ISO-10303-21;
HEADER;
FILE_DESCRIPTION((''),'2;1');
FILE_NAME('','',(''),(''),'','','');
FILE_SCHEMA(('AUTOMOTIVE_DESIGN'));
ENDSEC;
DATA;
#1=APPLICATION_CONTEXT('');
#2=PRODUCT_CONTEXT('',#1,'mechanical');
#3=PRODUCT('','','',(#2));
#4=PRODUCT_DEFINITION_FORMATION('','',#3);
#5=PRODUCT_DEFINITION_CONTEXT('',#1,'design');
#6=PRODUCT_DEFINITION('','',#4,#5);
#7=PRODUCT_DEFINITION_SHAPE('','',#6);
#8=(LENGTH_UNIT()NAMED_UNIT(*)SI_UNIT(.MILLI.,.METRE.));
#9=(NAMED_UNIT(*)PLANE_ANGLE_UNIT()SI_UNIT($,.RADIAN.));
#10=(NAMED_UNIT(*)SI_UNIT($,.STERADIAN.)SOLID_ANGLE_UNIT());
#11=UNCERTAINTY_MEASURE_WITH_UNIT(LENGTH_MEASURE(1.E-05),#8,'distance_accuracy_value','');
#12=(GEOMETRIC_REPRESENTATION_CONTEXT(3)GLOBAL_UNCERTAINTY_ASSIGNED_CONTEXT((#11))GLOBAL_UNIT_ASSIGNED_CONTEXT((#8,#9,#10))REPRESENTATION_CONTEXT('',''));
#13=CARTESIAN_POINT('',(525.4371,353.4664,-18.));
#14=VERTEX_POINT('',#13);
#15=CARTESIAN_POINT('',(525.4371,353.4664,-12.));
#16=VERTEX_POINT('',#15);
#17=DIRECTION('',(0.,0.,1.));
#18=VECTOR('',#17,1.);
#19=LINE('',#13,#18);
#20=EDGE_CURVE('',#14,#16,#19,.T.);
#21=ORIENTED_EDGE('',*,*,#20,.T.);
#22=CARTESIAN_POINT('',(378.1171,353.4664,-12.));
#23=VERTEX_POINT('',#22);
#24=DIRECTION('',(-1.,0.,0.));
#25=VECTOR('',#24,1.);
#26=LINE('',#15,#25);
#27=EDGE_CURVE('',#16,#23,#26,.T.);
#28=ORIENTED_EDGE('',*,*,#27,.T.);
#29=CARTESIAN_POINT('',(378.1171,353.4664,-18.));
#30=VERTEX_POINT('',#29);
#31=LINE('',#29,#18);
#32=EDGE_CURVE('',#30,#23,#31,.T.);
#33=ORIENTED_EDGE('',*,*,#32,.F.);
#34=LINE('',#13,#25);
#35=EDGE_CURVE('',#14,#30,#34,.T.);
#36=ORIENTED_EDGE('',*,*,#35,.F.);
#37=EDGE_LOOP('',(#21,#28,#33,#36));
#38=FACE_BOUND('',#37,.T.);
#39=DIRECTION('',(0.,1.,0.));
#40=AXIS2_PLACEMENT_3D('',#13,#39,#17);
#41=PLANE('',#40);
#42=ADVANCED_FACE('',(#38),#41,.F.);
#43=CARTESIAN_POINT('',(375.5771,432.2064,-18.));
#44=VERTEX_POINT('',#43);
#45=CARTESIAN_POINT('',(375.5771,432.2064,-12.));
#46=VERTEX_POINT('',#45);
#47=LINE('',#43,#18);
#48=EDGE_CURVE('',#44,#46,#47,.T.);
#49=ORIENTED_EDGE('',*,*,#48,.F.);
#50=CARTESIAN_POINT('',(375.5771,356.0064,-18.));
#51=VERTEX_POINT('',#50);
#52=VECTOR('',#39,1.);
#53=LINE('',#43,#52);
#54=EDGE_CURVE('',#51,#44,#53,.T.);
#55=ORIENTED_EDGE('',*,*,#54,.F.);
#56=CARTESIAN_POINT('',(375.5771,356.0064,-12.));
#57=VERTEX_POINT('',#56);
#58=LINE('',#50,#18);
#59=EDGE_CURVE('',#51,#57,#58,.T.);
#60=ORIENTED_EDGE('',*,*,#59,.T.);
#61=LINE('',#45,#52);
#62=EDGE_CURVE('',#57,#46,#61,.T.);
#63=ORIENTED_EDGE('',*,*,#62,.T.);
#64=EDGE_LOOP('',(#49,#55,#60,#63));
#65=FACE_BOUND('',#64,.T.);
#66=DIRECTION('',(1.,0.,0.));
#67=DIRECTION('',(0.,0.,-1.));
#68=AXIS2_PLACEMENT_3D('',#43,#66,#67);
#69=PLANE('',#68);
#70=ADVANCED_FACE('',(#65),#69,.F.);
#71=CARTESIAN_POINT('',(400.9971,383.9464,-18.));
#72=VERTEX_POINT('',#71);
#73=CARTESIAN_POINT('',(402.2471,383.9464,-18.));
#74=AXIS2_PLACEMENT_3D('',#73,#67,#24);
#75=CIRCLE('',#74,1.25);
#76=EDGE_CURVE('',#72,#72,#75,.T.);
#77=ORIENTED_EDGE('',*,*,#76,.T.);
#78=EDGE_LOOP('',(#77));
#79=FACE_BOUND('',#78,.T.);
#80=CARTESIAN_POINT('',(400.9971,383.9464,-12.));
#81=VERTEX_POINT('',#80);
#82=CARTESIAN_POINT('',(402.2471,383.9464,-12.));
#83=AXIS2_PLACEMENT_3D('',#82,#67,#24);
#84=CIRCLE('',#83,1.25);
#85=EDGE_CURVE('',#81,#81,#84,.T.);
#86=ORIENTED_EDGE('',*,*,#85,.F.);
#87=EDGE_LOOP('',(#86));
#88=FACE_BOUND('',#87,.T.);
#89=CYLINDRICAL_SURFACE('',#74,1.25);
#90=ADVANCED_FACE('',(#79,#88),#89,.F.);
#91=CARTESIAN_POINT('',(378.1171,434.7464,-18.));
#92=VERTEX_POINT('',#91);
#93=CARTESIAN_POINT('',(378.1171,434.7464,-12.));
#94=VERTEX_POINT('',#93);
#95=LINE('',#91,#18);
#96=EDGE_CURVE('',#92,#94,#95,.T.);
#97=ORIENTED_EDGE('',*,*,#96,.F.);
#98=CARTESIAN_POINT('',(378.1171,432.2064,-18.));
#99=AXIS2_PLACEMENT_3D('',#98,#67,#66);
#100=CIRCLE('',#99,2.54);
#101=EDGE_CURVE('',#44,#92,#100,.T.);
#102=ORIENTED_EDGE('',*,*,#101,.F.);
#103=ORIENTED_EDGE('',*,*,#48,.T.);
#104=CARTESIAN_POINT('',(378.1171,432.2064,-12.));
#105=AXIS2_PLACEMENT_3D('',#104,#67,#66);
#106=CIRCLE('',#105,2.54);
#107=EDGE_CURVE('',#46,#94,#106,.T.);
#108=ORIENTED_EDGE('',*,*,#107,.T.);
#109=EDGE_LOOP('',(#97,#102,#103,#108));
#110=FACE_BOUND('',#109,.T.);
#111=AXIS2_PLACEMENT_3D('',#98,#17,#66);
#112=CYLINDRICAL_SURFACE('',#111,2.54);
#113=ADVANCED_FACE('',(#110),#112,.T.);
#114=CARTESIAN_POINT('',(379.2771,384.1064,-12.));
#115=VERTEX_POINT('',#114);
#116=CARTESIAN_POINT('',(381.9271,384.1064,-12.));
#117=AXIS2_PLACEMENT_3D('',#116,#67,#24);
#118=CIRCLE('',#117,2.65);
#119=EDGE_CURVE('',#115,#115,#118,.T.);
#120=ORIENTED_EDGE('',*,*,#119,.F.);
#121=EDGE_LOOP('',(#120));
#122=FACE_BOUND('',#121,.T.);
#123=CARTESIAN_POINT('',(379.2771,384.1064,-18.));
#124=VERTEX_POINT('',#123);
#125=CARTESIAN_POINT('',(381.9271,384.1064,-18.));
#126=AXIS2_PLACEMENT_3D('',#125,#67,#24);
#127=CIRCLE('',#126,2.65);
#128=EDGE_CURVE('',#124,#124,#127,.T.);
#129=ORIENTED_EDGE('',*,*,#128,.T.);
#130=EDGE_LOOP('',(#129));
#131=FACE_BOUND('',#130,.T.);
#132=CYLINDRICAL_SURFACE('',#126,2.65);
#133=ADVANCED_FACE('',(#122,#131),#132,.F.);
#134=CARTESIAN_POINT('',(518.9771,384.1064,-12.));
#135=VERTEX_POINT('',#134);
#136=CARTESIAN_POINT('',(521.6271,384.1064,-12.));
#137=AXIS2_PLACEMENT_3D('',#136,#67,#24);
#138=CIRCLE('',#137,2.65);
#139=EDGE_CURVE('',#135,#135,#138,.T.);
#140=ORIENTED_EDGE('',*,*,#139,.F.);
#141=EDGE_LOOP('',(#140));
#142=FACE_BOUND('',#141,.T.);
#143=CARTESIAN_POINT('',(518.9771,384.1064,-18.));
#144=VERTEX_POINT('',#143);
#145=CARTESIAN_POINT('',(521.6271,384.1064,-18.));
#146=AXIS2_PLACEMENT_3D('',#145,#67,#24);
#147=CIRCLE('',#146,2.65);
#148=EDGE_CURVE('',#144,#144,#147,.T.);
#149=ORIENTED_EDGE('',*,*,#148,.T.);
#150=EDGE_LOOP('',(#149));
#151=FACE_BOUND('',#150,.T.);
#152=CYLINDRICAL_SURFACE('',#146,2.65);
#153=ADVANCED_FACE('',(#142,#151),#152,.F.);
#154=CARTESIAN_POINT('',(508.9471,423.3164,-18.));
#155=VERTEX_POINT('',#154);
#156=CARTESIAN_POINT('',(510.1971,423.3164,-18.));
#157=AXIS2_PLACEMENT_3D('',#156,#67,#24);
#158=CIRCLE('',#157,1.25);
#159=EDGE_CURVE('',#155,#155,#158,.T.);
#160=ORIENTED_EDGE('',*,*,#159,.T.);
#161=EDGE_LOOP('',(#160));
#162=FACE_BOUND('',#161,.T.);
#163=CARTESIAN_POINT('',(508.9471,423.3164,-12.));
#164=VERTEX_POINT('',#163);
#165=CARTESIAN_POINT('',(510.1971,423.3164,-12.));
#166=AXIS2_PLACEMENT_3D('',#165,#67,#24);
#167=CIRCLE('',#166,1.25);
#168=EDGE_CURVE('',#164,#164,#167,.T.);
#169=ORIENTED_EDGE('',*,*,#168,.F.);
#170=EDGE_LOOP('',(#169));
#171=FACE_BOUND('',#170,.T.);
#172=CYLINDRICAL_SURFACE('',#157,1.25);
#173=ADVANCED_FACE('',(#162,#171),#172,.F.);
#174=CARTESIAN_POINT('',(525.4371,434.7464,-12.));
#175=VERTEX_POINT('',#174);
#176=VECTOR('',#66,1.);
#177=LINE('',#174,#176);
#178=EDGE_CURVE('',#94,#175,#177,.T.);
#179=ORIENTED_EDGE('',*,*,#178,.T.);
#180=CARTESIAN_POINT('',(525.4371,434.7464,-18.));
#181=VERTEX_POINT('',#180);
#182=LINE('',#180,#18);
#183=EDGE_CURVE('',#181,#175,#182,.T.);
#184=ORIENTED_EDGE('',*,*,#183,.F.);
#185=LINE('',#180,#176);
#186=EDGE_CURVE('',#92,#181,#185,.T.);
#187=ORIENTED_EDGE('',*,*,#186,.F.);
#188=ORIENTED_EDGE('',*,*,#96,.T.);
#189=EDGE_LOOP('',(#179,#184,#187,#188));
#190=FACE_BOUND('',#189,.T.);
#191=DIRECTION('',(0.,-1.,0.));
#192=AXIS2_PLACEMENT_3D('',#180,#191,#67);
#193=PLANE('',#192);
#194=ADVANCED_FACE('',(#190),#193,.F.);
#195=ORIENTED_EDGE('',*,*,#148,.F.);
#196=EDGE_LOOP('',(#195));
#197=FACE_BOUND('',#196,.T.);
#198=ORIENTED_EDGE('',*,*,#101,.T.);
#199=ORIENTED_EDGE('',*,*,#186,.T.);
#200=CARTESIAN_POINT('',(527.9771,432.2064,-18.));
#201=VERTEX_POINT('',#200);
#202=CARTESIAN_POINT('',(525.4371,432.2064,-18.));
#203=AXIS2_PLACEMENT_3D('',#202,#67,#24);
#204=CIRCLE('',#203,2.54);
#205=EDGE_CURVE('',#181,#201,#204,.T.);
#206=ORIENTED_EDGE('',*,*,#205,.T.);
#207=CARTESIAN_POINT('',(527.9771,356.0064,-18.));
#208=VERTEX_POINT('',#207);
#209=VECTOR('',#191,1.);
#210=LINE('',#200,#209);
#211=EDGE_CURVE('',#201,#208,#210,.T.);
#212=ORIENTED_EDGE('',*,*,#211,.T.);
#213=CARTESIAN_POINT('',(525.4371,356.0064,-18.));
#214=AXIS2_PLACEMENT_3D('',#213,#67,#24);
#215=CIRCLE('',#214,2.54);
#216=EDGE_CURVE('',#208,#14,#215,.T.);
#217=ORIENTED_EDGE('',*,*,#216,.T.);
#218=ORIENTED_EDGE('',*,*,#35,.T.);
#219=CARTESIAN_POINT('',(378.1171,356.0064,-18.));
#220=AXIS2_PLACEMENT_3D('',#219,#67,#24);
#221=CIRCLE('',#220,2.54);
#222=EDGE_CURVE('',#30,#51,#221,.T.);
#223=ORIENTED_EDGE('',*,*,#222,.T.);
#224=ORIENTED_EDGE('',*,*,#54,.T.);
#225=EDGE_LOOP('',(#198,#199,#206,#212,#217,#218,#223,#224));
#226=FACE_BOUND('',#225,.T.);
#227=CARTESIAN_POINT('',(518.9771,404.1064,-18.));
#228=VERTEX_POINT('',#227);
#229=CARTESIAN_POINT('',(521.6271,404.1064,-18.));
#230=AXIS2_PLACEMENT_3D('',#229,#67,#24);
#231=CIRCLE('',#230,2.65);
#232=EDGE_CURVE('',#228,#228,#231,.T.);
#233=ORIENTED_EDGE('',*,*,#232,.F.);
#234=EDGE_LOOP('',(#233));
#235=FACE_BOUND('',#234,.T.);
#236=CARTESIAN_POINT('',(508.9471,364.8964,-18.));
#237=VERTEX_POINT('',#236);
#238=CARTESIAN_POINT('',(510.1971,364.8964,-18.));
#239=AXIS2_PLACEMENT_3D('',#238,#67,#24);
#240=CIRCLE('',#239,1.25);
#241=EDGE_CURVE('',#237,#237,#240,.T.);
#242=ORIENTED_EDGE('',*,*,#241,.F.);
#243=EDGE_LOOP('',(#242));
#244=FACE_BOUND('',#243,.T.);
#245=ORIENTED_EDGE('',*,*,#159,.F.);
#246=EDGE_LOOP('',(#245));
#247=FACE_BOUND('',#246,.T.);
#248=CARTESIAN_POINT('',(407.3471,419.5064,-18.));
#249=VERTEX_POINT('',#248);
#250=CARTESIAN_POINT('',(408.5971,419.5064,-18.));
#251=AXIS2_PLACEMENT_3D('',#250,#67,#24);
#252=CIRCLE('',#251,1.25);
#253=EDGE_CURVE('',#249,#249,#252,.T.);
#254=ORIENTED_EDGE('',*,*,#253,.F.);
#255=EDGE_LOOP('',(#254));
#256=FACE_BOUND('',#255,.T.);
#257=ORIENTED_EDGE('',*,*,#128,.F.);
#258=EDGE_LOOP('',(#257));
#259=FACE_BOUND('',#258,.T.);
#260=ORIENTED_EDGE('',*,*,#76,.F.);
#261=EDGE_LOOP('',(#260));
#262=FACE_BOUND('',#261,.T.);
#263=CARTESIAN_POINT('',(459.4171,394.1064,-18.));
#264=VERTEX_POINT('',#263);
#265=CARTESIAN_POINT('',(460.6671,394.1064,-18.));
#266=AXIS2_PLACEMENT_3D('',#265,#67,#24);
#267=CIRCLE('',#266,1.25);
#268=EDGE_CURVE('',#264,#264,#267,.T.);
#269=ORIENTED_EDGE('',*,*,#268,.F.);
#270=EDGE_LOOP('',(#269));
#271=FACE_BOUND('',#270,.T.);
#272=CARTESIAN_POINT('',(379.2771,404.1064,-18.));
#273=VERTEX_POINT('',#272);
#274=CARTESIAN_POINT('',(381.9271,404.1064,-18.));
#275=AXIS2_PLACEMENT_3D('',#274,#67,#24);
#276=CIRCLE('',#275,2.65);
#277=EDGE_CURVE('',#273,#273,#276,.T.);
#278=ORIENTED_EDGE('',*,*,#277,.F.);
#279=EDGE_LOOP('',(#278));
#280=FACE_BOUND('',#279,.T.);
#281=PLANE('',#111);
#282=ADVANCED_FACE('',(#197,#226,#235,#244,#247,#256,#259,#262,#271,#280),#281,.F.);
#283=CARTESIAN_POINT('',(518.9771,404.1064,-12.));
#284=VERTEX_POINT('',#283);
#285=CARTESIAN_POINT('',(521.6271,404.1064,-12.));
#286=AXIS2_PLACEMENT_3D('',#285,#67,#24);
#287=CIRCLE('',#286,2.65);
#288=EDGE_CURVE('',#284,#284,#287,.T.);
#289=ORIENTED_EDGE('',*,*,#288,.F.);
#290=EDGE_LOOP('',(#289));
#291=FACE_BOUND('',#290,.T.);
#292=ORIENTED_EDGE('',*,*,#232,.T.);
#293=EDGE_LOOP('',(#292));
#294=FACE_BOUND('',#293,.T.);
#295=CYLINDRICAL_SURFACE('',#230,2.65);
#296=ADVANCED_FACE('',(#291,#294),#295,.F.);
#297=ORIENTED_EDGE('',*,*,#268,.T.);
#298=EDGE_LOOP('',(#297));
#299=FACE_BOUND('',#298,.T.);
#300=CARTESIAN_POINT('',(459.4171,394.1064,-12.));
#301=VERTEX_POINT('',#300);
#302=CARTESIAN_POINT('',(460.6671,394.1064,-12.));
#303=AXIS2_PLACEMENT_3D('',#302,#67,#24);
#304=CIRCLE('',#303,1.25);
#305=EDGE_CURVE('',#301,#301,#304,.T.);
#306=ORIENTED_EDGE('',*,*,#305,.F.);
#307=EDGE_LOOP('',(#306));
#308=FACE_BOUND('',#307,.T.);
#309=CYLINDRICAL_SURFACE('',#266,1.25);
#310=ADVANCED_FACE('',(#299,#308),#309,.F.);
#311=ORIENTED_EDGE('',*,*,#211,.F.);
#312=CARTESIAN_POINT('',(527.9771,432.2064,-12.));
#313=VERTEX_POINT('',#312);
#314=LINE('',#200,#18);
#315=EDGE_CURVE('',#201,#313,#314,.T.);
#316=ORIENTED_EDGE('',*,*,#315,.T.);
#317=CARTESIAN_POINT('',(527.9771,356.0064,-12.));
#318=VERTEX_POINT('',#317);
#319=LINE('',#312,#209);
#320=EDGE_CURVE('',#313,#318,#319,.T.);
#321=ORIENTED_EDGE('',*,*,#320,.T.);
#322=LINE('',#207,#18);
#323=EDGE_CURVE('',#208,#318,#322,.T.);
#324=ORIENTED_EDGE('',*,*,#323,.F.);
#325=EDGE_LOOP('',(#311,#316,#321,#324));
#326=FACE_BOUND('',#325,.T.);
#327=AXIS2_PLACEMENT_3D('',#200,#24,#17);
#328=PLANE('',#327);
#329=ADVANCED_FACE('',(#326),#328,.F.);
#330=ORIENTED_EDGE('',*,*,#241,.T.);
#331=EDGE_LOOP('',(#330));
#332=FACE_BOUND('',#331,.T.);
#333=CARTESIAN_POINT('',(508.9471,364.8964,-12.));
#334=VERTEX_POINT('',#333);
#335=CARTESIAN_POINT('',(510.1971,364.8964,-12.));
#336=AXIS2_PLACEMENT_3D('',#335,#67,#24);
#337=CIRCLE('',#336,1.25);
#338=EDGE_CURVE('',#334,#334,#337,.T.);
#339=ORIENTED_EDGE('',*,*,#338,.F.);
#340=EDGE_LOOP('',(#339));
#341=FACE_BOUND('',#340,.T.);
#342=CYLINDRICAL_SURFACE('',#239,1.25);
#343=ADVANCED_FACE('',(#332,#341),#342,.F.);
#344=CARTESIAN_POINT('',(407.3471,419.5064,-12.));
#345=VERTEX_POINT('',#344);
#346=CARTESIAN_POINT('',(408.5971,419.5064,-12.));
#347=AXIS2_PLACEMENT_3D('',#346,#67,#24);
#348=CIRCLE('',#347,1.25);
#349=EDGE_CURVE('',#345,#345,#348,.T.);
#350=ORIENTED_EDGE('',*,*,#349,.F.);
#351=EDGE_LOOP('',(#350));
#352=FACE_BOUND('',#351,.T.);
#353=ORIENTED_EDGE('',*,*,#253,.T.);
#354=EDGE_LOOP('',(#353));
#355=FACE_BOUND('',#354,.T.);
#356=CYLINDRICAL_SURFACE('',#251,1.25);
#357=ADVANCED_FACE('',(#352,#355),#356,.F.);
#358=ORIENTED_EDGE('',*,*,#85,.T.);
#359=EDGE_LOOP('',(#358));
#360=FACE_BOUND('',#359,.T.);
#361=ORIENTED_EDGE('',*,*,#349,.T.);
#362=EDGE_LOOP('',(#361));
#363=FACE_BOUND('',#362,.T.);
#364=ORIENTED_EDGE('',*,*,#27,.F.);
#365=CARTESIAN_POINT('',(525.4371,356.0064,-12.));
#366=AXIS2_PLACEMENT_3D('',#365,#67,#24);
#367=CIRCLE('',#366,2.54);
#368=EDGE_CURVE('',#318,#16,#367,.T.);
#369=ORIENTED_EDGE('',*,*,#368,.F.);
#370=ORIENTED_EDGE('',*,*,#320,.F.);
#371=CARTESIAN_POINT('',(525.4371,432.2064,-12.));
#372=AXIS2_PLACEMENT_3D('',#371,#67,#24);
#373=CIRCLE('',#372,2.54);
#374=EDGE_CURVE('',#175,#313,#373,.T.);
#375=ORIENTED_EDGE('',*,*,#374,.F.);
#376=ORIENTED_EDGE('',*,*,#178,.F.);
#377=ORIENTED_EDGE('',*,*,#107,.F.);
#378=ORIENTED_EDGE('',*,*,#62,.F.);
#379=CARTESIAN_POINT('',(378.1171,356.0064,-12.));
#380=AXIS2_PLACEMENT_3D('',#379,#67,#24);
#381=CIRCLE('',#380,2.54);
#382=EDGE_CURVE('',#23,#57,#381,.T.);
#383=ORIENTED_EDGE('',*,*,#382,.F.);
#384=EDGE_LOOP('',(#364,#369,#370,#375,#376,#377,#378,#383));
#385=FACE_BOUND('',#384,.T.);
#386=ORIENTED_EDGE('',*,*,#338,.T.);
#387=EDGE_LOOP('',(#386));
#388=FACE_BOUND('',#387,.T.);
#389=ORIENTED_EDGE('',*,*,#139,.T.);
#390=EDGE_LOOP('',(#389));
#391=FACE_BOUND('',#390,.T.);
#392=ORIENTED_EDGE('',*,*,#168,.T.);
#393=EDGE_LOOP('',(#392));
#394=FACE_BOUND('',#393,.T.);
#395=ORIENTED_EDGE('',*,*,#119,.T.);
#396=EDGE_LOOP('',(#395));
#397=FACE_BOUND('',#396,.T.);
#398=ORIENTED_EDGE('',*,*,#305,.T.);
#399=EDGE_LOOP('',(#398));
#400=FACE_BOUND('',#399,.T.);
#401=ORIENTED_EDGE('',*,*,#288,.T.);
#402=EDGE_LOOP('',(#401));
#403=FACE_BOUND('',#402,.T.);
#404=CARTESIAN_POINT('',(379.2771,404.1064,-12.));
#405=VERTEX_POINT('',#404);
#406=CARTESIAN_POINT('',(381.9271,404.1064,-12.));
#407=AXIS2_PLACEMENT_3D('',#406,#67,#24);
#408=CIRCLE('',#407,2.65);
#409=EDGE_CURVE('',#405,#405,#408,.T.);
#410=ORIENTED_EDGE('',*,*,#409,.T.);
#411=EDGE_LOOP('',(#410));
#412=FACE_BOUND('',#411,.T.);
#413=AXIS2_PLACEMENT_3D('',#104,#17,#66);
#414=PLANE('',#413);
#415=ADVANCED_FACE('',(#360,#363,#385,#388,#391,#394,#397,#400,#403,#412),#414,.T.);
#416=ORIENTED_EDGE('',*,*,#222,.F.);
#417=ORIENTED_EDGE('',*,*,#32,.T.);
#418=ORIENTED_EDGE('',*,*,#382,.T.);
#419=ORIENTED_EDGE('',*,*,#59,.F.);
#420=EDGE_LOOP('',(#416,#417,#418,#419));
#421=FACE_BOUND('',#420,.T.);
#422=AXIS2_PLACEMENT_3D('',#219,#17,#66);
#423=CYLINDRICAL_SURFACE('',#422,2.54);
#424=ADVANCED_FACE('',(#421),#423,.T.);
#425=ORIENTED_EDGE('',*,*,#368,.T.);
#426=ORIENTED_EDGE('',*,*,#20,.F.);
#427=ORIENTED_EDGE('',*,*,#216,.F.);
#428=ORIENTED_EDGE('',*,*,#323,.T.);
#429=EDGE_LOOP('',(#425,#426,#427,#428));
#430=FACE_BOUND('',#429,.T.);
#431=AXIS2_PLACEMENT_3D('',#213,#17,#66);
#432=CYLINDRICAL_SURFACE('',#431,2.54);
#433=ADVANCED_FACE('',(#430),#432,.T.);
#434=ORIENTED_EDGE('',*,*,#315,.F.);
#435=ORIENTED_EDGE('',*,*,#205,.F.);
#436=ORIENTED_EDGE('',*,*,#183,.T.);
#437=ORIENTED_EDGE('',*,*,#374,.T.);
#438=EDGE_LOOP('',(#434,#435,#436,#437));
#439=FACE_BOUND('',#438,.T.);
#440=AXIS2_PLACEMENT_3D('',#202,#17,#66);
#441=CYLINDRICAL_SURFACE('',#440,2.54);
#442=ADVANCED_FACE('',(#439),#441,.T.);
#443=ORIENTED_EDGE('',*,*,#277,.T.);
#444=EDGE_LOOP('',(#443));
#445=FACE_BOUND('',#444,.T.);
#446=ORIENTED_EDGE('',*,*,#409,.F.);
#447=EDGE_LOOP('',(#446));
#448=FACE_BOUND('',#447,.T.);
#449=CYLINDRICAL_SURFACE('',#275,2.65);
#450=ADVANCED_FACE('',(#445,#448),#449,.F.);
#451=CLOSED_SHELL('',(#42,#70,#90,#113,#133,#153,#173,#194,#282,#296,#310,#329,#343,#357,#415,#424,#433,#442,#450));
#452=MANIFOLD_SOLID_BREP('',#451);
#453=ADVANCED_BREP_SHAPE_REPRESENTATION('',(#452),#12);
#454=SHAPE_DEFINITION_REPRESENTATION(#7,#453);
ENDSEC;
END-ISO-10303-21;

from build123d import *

# Parameters (mm, degrees)
BOSS_EXTRUDE1_DEPTH   = 6
M5_CLEARANCE_HOLE1_D  = 5.3
M3X0_5_TAPPED_HOLE1_D = 2.5


with BuildPart() as part:
    # Sketch1 → Boss-Extrude1 (new body)
    with BuildSketch(Plane(origin=(0, 0, -11.999999876), x_dir=(-1, 0, 0), z_dir=(0, 0, -1))):
        with BuildLine():
            Line((-525.4371, 434.7464), (-378.1171, 434.7464))
            ThreePointArc((-378.1171, 434.7464), (-376.321048776, 434.002451224), (-375.5771, 432.2064))
            Line((-375.5771, 432.2064), (-375.5771, 356.0064))
            ThreePointArc((-375.5771, 356.0064), (-376.321048776, 354.210348776), (-378.1171, 353.4664))
            Line((-378.1171, 353.4664), (-525.4371, 353.4664))
            ThreePointArc((-525.4371, 353.4664), (-527.233151224, 354.210348776), (-527.9771, 356.0064))
            Line((-527.9771, 356.0064), (-527.9771, 432.2064))
            ThreePointArc((-527.9771, 432.2064), (-527.233151224, 434.002451224), (-525.4371, 434.7464))
        make_face()
    extrude(amount=BOSS_EXTRUDE1_DEPTH)

    # M5 Clearance Hole1 (through all)
    with Locations(Plane(origin=(0, 0, -17.999999876), x_dir=(-1, 0, 0), z_dir=(0, 0, -1))):
        with Locations((-521.6271, 404.106399939), (-521.6271, 384.106400061), (-381.9271, 384.106400061), (-381.9271, 404.106399939)):
            Hole(M5_CLEARANCE_HOLE1_D / 2)

    # M3x0.5 Tapped Hole1 (through all)
    with Locations(Plane(origin=(0, 0, -17.999999876), x_dir=(-1, 0, 0), z_dir=(0, 0, -1))):
        with Locations((-510.1971, 423.3164), (-408.5971, 419.5064), (-460.6671, 394.1064), (-402.2471, 383.9464), (-510.1971, 364.8964)):
            Hole(M3X0_5_TAPPED_HOLE1_D / 2)


solid = part.part
